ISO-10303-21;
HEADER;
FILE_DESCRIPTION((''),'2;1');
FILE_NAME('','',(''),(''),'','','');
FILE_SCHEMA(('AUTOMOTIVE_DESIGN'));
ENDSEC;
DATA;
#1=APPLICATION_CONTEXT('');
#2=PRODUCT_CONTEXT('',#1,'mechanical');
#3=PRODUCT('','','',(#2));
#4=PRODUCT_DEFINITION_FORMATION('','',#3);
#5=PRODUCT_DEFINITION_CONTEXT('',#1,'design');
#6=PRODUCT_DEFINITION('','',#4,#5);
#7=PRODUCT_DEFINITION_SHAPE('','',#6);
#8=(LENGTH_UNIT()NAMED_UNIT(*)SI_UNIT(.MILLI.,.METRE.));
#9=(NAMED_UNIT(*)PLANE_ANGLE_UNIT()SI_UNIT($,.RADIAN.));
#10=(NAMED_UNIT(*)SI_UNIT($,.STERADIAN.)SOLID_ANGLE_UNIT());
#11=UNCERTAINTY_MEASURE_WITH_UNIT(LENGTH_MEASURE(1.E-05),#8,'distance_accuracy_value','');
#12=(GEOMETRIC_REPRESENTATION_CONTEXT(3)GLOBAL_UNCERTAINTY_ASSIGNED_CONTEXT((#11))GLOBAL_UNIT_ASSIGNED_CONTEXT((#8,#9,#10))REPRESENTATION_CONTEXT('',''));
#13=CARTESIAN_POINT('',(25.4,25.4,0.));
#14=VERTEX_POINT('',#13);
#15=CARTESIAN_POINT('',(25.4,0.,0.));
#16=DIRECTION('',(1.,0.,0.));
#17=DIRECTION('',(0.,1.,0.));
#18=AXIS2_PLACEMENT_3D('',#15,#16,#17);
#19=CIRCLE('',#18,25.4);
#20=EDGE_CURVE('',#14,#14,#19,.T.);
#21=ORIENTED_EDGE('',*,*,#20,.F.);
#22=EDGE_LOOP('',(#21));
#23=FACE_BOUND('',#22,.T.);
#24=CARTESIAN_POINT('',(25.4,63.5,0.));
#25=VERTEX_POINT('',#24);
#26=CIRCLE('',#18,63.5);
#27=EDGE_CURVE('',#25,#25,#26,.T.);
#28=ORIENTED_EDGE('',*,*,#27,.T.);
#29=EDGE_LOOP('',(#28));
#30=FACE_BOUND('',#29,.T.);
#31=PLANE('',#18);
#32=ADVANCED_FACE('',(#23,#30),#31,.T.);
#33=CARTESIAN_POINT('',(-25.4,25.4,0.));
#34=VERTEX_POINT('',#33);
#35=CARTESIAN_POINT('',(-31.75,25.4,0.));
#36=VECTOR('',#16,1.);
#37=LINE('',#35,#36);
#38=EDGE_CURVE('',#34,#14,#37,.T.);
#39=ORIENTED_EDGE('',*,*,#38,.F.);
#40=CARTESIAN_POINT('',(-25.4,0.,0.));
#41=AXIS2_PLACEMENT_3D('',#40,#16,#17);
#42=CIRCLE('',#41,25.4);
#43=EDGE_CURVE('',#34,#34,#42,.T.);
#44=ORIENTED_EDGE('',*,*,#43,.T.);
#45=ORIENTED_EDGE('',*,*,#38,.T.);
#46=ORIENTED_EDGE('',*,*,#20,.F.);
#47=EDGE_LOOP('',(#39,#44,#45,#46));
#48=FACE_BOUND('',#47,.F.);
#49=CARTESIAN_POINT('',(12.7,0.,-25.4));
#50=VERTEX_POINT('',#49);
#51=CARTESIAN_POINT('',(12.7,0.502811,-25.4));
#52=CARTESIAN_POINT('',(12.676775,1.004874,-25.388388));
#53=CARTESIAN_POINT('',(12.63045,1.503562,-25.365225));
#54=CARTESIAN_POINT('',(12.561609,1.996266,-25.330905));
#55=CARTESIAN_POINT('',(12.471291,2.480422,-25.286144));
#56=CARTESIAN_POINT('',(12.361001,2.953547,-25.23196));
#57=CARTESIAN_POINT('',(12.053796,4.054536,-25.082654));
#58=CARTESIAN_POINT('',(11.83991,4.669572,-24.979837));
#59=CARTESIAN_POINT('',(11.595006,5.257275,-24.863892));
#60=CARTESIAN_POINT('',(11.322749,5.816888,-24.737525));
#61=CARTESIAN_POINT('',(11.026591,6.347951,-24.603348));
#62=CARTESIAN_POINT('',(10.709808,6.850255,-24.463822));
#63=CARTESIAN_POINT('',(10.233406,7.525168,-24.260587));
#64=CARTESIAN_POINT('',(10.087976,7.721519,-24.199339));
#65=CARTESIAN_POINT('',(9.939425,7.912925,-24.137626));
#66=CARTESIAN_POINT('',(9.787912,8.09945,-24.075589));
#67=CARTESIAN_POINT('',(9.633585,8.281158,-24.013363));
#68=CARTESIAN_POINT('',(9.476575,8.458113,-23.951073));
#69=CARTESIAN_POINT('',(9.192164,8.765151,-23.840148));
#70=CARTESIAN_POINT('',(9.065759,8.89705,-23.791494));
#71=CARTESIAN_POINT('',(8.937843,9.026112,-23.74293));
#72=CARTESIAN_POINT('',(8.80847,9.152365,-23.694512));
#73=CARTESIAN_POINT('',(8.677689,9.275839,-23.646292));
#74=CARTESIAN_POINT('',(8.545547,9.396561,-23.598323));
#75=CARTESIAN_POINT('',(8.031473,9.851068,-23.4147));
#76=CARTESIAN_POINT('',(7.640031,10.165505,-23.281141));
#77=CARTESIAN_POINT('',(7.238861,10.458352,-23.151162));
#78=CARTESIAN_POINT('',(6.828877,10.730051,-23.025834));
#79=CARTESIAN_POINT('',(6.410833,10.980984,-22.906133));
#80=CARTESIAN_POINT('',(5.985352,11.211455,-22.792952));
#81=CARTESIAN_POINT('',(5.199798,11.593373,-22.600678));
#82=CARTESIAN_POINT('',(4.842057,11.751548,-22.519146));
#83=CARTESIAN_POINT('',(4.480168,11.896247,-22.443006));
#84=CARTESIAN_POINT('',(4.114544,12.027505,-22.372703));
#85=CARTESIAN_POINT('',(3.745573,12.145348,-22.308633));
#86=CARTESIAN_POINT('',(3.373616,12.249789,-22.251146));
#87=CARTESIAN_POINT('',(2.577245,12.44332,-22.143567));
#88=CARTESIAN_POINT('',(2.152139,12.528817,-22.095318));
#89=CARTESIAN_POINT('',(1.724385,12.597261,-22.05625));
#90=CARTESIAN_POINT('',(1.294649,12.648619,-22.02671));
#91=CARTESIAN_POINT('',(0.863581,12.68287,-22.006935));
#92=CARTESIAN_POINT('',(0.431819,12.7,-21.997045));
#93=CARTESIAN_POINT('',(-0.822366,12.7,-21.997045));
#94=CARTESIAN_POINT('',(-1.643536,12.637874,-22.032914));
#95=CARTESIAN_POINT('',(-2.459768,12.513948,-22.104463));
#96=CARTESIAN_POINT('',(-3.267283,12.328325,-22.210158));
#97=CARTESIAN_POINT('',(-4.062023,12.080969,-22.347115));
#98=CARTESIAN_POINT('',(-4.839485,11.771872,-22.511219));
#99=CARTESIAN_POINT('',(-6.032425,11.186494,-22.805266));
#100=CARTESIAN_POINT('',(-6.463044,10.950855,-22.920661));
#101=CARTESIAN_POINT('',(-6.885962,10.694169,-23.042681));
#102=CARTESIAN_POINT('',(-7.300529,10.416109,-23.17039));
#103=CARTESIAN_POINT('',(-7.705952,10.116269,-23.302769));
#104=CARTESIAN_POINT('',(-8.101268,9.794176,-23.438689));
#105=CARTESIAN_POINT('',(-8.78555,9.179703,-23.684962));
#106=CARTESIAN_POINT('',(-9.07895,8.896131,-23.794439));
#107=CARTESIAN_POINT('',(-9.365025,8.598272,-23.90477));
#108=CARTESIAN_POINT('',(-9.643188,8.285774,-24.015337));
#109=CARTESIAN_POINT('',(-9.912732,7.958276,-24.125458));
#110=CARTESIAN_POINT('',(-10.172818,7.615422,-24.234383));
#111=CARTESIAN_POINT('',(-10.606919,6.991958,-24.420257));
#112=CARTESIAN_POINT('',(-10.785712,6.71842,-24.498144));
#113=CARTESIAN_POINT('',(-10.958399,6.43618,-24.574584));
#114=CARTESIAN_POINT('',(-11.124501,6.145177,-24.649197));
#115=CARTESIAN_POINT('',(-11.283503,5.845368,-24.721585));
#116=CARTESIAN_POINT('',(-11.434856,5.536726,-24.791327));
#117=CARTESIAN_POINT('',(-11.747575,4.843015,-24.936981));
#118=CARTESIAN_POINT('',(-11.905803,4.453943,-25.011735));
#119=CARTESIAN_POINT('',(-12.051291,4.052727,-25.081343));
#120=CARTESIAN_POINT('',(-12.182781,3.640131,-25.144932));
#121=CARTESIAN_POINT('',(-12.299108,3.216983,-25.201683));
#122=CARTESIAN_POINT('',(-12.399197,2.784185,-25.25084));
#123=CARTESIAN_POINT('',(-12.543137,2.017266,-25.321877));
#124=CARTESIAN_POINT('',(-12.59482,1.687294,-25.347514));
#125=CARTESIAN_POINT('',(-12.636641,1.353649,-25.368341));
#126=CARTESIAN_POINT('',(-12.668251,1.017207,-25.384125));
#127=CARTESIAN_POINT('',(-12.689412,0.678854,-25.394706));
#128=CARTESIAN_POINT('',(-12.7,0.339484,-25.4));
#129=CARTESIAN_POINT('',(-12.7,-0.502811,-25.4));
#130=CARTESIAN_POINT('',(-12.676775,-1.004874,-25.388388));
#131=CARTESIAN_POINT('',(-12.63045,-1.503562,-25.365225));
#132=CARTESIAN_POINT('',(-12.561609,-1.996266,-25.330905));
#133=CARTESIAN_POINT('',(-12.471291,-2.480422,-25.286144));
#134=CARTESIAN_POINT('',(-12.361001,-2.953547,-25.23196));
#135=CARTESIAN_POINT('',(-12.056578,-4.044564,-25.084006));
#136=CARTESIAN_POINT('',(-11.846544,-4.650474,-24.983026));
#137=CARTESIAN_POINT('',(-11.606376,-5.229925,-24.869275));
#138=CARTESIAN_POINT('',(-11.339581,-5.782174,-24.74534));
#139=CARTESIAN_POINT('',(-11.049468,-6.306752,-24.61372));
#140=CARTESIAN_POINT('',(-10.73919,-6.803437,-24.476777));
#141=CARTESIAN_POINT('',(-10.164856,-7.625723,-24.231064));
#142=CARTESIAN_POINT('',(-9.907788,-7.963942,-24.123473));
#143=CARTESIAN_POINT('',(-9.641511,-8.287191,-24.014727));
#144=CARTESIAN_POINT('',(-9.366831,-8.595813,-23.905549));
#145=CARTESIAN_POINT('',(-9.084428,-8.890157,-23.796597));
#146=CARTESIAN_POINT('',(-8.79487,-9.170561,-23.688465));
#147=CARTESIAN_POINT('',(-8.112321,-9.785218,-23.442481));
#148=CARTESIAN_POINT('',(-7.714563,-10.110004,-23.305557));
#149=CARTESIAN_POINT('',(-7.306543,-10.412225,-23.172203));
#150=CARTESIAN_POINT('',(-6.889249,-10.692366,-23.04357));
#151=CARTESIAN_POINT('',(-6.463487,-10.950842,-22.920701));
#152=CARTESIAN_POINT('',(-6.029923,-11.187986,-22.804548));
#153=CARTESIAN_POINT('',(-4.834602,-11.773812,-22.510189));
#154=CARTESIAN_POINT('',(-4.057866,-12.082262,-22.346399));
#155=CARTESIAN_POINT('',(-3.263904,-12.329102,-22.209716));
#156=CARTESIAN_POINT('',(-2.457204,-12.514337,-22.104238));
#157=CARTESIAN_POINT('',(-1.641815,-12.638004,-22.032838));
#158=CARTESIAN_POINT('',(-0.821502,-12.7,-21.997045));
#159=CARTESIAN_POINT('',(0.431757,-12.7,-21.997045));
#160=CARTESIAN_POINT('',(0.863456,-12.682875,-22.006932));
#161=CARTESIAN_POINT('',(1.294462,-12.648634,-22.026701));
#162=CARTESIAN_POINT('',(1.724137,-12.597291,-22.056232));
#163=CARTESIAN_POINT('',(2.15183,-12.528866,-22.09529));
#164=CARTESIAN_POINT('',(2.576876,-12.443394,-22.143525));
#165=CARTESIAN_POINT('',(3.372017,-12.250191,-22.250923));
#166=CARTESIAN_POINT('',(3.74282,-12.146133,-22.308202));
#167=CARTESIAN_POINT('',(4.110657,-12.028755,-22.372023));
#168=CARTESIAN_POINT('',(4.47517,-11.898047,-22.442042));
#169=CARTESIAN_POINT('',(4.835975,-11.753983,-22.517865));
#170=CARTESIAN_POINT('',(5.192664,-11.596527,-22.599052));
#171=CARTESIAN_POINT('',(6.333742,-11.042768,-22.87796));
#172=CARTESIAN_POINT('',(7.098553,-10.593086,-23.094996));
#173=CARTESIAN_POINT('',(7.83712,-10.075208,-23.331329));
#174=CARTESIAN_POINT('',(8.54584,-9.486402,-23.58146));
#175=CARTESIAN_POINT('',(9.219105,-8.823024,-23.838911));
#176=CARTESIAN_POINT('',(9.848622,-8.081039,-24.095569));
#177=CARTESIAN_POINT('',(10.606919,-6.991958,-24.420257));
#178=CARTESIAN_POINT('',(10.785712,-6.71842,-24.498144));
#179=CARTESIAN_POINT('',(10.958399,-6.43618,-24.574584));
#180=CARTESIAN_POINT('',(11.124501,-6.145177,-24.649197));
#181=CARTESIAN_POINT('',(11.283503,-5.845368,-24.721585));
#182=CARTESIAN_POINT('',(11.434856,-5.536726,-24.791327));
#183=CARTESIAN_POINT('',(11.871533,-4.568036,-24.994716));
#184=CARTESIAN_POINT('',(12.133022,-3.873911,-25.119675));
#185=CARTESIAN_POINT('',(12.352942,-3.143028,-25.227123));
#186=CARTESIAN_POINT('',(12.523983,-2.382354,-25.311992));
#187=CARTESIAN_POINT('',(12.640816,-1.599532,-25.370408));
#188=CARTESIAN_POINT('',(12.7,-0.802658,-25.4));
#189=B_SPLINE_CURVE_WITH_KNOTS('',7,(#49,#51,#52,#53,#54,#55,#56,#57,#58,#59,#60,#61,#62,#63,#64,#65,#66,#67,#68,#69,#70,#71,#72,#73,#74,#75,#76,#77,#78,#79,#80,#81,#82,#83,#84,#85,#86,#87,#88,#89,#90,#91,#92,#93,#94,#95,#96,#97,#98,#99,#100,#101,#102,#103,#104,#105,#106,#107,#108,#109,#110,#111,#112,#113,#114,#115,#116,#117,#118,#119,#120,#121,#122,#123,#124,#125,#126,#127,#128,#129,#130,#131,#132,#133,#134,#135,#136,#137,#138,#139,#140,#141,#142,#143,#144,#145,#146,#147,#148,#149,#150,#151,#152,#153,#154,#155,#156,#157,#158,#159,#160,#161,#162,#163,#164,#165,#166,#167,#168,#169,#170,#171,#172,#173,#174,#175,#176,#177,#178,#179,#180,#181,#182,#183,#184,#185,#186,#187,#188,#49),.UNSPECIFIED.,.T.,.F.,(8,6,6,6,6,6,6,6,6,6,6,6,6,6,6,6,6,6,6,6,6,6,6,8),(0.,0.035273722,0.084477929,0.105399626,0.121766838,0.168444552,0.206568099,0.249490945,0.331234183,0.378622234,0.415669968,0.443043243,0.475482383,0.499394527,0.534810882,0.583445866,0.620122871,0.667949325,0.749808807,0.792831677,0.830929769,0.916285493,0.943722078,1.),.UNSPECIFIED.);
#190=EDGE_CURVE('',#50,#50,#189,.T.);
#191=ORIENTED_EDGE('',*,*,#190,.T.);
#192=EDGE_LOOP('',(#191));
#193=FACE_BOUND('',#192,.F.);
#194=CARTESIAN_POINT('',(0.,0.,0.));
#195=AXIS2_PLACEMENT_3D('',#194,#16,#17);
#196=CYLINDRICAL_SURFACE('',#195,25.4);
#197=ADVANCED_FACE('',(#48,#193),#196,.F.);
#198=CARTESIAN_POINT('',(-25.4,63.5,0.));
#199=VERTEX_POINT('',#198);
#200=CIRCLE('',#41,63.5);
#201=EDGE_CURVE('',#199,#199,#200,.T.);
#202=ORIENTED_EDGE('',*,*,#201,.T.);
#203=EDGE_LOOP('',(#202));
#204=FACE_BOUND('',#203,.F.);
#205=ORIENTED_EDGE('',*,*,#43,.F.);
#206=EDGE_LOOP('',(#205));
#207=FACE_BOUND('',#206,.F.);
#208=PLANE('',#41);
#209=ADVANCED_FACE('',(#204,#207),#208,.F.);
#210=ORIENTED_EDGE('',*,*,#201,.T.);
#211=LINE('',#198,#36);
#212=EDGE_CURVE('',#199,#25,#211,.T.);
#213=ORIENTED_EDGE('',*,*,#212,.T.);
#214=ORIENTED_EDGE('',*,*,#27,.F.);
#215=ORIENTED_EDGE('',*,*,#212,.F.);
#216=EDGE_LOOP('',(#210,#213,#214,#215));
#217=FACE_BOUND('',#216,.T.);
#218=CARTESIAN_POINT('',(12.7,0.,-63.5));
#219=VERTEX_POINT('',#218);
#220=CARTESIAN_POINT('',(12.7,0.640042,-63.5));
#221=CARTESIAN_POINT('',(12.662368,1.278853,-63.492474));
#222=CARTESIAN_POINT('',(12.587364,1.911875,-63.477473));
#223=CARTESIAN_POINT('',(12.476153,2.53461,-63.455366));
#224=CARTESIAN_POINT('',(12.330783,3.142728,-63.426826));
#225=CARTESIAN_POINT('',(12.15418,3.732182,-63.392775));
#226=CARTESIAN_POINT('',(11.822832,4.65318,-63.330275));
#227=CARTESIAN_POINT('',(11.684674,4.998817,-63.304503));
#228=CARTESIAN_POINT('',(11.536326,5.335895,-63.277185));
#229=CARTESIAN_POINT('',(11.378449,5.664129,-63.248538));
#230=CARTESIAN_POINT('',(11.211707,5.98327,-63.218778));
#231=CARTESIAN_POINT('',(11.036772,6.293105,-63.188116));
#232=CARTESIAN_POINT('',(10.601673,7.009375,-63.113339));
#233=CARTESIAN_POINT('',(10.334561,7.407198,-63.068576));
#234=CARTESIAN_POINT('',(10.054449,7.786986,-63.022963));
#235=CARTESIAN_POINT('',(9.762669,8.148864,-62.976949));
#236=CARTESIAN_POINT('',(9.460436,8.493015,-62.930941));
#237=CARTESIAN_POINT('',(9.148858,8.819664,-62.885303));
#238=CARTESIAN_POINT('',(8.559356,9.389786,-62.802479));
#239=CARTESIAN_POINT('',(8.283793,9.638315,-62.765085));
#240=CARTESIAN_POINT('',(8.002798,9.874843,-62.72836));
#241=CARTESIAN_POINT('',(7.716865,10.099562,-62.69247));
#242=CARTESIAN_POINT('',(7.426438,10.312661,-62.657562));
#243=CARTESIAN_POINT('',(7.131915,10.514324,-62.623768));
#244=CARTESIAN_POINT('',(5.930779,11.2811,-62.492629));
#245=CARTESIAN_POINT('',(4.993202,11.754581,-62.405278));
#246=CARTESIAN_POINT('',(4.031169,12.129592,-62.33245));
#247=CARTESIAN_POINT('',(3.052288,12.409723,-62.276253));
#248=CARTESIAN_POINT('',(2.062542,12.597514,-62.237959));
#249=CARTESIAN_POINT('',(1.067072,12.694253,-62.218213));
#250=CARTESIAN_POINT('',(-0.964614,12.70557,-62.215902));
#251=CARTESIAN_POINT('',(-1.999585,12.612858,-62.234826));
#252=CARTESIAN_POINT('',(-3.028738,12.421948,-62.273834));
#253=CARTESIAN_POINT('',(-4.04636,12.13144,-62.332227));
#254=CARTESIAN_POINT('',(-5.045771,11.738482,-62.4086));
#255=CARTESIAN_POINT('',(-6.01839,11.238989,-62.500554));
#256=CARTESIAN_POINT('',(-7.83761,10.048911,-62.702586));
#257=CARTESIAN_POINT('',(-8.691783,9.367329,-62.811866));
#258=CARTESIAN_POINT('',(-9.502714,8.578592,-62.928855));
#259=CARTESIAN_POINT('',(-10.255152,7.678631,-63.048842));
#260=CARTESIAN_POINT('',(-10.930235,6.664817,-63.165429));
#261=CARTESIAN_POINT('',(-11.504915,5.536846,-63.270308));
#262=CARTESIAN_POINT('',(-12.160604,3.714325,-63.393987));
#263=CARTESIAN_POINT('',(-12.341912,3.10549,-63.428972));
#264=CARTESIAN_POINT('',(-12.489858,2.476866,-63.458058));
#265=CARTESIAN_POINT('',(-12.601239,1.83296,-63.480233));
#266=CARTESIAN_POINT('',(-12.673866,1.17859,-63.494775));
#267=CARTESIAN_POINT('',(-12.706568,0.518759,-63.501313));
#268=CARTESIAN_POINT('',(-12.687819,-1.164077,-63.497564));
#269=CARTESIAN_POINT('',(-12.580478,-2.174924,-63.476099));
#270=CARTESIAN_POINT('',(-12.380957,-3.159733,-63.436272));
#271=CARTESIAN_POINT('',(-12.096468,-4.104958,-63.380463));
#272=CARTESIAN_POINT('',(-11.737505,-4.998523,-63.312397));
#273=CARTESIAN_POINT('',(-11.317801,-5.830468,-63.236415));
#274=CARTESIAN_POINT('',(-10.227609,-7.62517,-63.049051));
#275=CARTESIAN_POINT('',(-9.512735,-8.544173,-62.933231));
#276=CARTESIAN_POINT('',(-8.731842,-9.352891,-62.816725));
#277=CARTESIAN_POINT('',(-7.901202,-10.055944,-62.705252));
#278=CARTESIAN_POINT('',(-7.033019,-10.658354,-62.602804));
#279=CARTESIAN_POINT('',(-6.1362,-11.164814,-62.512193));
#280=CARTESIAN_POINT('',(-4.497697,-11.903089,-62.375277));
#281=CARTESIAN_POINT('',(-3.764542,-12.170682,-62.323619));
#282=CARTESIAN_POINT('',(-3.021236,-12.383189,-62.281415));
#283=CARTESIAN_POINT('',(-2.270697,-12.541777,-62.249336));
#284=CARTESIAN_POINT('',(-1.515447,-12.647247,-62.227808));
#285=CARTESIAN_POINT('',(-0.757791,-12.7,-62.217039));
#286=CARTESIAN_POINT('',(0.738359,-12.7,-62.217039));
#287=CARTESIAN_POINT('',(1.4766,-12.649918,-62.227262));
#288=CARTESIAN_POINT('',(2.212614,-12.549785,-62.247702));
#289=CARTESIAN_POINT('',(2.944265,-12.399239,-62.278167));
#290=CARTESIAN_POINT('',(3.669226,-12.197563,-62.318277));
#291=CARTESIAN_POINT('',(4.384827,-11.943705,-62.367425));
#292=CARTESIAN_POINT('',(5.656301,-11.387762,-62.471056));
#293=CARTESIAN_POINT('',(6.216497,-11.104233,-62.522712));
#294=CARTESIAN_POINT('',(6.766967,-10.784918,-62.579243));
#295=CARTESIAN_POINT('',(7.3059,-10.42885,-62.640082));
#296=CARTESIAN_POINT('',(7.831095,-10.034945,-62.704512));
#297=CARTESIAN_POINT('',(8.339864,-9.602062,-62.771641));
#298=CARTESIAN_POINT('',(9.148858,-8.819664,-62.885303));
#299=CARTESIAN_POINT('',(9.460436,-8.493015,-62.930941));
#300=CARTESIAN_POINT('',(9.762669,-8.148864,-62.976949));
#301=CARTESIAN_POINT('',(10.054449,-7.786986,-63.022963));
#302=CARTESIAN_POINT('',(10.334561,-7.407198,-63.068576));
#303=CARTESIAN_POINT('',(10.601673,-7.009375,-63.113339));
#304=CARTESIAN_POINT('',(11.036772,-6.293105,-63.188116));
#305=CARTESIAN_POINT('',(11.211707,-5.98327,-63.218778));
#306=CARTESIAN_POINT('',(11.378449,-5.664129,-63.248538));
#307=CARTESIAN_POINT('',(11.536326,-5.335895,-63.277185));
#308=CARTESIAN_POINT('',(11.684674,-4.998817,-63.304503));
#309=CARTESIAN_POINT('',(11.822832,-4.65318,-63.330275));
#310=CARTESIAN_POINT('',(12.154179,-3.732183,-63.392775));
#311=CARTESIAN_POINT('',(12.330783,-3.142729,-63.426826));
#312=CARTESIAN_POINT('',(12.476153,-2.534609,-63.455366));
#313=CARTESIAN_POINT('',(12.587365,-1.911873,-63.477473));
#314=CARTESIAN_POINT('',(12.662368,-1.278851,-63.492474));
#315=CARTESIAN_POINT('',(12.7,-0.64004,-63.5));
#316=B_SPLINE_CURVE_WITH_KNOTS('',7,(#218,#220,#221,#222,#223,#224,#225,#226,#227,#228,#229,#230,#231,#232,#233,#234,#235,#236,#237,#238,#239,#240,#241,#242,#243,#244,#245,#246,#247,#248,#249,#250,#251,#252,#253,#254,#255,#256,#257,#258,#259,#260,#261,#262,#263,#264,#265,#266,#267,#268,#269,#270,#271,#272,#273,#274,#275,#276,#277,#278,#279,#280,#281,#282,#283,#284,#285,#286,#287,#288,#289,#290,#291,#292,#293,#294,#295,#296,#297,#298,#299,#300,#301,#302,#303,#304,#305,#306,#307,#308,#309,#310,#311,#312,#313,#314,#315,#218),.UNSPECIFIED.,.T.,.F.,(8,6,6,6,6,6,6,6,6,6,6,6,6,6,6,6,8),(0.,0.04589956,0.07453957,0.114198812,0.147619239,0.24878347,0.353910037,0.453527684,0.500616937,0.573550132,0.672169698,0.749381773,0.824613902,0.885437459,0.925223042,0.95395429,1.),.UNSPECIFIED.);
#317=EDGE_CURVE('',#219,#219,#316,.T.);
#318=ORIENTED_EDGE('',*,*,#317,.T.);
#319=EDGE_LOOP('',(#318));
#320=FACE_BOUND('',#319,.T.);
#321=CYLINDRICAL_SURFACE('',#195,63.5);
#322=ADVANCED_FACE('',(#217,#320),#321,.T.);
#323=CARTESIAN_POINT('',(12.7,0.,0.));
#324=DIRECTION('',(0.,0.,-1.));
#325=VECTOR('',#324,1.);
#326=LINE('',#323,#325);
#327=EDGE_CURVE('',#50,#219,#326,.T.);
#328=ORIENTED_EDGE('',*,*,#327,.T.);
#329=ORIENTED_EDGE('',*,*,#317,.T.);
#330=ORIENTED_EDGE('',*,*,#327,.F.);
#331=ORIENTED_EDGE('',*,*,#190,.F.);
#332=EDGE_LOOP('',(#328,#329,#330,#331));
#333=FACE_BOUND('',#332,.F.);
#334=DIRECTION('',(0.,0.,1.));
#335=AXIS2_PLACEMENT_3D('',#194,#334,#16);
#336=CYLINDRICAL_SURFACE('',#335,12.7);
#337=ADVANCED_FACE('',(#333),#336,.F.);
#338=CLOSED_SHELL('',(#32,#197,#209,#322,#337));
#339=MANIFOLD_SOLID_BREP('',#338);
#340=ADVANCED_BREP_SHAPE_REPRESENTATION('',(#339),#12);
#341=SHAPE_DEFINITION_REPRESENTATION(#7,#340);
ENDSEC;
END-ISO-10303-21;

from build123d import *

# Parameters (mm, degrees)
F0_R     = 63.5
F1_DEPTH = 25.4
F2_R     = 12.7
F3_DEPTH = 76.2
F4_R     = 25.4
F5_DEPTH = 31.75


with BuildPart() as f1:
    # F0 (on Right) → F1 (new body, symmetric)
    with BuildSketch(Plane.YZ):
        Circle(F0_R)
    extrude(amount=F1_DEPTH, both=True)

    # F2 (on Top) → F3 (cut)
    with BuildSketch(Plane.XY):
        Circle(F2_R)
    extrude(amount=-F3_DEPTH, mode=Mode.SUBTRACT)

    # F4 (on Right) → F5 (cut, symmetric)
    with BuildSketch(Plane.YZ):
        Circle(F4_R)
    extrude(amount=F5_DEPTH, both=True, mode=Mode.SUBTRACT)


solid = f1.part
